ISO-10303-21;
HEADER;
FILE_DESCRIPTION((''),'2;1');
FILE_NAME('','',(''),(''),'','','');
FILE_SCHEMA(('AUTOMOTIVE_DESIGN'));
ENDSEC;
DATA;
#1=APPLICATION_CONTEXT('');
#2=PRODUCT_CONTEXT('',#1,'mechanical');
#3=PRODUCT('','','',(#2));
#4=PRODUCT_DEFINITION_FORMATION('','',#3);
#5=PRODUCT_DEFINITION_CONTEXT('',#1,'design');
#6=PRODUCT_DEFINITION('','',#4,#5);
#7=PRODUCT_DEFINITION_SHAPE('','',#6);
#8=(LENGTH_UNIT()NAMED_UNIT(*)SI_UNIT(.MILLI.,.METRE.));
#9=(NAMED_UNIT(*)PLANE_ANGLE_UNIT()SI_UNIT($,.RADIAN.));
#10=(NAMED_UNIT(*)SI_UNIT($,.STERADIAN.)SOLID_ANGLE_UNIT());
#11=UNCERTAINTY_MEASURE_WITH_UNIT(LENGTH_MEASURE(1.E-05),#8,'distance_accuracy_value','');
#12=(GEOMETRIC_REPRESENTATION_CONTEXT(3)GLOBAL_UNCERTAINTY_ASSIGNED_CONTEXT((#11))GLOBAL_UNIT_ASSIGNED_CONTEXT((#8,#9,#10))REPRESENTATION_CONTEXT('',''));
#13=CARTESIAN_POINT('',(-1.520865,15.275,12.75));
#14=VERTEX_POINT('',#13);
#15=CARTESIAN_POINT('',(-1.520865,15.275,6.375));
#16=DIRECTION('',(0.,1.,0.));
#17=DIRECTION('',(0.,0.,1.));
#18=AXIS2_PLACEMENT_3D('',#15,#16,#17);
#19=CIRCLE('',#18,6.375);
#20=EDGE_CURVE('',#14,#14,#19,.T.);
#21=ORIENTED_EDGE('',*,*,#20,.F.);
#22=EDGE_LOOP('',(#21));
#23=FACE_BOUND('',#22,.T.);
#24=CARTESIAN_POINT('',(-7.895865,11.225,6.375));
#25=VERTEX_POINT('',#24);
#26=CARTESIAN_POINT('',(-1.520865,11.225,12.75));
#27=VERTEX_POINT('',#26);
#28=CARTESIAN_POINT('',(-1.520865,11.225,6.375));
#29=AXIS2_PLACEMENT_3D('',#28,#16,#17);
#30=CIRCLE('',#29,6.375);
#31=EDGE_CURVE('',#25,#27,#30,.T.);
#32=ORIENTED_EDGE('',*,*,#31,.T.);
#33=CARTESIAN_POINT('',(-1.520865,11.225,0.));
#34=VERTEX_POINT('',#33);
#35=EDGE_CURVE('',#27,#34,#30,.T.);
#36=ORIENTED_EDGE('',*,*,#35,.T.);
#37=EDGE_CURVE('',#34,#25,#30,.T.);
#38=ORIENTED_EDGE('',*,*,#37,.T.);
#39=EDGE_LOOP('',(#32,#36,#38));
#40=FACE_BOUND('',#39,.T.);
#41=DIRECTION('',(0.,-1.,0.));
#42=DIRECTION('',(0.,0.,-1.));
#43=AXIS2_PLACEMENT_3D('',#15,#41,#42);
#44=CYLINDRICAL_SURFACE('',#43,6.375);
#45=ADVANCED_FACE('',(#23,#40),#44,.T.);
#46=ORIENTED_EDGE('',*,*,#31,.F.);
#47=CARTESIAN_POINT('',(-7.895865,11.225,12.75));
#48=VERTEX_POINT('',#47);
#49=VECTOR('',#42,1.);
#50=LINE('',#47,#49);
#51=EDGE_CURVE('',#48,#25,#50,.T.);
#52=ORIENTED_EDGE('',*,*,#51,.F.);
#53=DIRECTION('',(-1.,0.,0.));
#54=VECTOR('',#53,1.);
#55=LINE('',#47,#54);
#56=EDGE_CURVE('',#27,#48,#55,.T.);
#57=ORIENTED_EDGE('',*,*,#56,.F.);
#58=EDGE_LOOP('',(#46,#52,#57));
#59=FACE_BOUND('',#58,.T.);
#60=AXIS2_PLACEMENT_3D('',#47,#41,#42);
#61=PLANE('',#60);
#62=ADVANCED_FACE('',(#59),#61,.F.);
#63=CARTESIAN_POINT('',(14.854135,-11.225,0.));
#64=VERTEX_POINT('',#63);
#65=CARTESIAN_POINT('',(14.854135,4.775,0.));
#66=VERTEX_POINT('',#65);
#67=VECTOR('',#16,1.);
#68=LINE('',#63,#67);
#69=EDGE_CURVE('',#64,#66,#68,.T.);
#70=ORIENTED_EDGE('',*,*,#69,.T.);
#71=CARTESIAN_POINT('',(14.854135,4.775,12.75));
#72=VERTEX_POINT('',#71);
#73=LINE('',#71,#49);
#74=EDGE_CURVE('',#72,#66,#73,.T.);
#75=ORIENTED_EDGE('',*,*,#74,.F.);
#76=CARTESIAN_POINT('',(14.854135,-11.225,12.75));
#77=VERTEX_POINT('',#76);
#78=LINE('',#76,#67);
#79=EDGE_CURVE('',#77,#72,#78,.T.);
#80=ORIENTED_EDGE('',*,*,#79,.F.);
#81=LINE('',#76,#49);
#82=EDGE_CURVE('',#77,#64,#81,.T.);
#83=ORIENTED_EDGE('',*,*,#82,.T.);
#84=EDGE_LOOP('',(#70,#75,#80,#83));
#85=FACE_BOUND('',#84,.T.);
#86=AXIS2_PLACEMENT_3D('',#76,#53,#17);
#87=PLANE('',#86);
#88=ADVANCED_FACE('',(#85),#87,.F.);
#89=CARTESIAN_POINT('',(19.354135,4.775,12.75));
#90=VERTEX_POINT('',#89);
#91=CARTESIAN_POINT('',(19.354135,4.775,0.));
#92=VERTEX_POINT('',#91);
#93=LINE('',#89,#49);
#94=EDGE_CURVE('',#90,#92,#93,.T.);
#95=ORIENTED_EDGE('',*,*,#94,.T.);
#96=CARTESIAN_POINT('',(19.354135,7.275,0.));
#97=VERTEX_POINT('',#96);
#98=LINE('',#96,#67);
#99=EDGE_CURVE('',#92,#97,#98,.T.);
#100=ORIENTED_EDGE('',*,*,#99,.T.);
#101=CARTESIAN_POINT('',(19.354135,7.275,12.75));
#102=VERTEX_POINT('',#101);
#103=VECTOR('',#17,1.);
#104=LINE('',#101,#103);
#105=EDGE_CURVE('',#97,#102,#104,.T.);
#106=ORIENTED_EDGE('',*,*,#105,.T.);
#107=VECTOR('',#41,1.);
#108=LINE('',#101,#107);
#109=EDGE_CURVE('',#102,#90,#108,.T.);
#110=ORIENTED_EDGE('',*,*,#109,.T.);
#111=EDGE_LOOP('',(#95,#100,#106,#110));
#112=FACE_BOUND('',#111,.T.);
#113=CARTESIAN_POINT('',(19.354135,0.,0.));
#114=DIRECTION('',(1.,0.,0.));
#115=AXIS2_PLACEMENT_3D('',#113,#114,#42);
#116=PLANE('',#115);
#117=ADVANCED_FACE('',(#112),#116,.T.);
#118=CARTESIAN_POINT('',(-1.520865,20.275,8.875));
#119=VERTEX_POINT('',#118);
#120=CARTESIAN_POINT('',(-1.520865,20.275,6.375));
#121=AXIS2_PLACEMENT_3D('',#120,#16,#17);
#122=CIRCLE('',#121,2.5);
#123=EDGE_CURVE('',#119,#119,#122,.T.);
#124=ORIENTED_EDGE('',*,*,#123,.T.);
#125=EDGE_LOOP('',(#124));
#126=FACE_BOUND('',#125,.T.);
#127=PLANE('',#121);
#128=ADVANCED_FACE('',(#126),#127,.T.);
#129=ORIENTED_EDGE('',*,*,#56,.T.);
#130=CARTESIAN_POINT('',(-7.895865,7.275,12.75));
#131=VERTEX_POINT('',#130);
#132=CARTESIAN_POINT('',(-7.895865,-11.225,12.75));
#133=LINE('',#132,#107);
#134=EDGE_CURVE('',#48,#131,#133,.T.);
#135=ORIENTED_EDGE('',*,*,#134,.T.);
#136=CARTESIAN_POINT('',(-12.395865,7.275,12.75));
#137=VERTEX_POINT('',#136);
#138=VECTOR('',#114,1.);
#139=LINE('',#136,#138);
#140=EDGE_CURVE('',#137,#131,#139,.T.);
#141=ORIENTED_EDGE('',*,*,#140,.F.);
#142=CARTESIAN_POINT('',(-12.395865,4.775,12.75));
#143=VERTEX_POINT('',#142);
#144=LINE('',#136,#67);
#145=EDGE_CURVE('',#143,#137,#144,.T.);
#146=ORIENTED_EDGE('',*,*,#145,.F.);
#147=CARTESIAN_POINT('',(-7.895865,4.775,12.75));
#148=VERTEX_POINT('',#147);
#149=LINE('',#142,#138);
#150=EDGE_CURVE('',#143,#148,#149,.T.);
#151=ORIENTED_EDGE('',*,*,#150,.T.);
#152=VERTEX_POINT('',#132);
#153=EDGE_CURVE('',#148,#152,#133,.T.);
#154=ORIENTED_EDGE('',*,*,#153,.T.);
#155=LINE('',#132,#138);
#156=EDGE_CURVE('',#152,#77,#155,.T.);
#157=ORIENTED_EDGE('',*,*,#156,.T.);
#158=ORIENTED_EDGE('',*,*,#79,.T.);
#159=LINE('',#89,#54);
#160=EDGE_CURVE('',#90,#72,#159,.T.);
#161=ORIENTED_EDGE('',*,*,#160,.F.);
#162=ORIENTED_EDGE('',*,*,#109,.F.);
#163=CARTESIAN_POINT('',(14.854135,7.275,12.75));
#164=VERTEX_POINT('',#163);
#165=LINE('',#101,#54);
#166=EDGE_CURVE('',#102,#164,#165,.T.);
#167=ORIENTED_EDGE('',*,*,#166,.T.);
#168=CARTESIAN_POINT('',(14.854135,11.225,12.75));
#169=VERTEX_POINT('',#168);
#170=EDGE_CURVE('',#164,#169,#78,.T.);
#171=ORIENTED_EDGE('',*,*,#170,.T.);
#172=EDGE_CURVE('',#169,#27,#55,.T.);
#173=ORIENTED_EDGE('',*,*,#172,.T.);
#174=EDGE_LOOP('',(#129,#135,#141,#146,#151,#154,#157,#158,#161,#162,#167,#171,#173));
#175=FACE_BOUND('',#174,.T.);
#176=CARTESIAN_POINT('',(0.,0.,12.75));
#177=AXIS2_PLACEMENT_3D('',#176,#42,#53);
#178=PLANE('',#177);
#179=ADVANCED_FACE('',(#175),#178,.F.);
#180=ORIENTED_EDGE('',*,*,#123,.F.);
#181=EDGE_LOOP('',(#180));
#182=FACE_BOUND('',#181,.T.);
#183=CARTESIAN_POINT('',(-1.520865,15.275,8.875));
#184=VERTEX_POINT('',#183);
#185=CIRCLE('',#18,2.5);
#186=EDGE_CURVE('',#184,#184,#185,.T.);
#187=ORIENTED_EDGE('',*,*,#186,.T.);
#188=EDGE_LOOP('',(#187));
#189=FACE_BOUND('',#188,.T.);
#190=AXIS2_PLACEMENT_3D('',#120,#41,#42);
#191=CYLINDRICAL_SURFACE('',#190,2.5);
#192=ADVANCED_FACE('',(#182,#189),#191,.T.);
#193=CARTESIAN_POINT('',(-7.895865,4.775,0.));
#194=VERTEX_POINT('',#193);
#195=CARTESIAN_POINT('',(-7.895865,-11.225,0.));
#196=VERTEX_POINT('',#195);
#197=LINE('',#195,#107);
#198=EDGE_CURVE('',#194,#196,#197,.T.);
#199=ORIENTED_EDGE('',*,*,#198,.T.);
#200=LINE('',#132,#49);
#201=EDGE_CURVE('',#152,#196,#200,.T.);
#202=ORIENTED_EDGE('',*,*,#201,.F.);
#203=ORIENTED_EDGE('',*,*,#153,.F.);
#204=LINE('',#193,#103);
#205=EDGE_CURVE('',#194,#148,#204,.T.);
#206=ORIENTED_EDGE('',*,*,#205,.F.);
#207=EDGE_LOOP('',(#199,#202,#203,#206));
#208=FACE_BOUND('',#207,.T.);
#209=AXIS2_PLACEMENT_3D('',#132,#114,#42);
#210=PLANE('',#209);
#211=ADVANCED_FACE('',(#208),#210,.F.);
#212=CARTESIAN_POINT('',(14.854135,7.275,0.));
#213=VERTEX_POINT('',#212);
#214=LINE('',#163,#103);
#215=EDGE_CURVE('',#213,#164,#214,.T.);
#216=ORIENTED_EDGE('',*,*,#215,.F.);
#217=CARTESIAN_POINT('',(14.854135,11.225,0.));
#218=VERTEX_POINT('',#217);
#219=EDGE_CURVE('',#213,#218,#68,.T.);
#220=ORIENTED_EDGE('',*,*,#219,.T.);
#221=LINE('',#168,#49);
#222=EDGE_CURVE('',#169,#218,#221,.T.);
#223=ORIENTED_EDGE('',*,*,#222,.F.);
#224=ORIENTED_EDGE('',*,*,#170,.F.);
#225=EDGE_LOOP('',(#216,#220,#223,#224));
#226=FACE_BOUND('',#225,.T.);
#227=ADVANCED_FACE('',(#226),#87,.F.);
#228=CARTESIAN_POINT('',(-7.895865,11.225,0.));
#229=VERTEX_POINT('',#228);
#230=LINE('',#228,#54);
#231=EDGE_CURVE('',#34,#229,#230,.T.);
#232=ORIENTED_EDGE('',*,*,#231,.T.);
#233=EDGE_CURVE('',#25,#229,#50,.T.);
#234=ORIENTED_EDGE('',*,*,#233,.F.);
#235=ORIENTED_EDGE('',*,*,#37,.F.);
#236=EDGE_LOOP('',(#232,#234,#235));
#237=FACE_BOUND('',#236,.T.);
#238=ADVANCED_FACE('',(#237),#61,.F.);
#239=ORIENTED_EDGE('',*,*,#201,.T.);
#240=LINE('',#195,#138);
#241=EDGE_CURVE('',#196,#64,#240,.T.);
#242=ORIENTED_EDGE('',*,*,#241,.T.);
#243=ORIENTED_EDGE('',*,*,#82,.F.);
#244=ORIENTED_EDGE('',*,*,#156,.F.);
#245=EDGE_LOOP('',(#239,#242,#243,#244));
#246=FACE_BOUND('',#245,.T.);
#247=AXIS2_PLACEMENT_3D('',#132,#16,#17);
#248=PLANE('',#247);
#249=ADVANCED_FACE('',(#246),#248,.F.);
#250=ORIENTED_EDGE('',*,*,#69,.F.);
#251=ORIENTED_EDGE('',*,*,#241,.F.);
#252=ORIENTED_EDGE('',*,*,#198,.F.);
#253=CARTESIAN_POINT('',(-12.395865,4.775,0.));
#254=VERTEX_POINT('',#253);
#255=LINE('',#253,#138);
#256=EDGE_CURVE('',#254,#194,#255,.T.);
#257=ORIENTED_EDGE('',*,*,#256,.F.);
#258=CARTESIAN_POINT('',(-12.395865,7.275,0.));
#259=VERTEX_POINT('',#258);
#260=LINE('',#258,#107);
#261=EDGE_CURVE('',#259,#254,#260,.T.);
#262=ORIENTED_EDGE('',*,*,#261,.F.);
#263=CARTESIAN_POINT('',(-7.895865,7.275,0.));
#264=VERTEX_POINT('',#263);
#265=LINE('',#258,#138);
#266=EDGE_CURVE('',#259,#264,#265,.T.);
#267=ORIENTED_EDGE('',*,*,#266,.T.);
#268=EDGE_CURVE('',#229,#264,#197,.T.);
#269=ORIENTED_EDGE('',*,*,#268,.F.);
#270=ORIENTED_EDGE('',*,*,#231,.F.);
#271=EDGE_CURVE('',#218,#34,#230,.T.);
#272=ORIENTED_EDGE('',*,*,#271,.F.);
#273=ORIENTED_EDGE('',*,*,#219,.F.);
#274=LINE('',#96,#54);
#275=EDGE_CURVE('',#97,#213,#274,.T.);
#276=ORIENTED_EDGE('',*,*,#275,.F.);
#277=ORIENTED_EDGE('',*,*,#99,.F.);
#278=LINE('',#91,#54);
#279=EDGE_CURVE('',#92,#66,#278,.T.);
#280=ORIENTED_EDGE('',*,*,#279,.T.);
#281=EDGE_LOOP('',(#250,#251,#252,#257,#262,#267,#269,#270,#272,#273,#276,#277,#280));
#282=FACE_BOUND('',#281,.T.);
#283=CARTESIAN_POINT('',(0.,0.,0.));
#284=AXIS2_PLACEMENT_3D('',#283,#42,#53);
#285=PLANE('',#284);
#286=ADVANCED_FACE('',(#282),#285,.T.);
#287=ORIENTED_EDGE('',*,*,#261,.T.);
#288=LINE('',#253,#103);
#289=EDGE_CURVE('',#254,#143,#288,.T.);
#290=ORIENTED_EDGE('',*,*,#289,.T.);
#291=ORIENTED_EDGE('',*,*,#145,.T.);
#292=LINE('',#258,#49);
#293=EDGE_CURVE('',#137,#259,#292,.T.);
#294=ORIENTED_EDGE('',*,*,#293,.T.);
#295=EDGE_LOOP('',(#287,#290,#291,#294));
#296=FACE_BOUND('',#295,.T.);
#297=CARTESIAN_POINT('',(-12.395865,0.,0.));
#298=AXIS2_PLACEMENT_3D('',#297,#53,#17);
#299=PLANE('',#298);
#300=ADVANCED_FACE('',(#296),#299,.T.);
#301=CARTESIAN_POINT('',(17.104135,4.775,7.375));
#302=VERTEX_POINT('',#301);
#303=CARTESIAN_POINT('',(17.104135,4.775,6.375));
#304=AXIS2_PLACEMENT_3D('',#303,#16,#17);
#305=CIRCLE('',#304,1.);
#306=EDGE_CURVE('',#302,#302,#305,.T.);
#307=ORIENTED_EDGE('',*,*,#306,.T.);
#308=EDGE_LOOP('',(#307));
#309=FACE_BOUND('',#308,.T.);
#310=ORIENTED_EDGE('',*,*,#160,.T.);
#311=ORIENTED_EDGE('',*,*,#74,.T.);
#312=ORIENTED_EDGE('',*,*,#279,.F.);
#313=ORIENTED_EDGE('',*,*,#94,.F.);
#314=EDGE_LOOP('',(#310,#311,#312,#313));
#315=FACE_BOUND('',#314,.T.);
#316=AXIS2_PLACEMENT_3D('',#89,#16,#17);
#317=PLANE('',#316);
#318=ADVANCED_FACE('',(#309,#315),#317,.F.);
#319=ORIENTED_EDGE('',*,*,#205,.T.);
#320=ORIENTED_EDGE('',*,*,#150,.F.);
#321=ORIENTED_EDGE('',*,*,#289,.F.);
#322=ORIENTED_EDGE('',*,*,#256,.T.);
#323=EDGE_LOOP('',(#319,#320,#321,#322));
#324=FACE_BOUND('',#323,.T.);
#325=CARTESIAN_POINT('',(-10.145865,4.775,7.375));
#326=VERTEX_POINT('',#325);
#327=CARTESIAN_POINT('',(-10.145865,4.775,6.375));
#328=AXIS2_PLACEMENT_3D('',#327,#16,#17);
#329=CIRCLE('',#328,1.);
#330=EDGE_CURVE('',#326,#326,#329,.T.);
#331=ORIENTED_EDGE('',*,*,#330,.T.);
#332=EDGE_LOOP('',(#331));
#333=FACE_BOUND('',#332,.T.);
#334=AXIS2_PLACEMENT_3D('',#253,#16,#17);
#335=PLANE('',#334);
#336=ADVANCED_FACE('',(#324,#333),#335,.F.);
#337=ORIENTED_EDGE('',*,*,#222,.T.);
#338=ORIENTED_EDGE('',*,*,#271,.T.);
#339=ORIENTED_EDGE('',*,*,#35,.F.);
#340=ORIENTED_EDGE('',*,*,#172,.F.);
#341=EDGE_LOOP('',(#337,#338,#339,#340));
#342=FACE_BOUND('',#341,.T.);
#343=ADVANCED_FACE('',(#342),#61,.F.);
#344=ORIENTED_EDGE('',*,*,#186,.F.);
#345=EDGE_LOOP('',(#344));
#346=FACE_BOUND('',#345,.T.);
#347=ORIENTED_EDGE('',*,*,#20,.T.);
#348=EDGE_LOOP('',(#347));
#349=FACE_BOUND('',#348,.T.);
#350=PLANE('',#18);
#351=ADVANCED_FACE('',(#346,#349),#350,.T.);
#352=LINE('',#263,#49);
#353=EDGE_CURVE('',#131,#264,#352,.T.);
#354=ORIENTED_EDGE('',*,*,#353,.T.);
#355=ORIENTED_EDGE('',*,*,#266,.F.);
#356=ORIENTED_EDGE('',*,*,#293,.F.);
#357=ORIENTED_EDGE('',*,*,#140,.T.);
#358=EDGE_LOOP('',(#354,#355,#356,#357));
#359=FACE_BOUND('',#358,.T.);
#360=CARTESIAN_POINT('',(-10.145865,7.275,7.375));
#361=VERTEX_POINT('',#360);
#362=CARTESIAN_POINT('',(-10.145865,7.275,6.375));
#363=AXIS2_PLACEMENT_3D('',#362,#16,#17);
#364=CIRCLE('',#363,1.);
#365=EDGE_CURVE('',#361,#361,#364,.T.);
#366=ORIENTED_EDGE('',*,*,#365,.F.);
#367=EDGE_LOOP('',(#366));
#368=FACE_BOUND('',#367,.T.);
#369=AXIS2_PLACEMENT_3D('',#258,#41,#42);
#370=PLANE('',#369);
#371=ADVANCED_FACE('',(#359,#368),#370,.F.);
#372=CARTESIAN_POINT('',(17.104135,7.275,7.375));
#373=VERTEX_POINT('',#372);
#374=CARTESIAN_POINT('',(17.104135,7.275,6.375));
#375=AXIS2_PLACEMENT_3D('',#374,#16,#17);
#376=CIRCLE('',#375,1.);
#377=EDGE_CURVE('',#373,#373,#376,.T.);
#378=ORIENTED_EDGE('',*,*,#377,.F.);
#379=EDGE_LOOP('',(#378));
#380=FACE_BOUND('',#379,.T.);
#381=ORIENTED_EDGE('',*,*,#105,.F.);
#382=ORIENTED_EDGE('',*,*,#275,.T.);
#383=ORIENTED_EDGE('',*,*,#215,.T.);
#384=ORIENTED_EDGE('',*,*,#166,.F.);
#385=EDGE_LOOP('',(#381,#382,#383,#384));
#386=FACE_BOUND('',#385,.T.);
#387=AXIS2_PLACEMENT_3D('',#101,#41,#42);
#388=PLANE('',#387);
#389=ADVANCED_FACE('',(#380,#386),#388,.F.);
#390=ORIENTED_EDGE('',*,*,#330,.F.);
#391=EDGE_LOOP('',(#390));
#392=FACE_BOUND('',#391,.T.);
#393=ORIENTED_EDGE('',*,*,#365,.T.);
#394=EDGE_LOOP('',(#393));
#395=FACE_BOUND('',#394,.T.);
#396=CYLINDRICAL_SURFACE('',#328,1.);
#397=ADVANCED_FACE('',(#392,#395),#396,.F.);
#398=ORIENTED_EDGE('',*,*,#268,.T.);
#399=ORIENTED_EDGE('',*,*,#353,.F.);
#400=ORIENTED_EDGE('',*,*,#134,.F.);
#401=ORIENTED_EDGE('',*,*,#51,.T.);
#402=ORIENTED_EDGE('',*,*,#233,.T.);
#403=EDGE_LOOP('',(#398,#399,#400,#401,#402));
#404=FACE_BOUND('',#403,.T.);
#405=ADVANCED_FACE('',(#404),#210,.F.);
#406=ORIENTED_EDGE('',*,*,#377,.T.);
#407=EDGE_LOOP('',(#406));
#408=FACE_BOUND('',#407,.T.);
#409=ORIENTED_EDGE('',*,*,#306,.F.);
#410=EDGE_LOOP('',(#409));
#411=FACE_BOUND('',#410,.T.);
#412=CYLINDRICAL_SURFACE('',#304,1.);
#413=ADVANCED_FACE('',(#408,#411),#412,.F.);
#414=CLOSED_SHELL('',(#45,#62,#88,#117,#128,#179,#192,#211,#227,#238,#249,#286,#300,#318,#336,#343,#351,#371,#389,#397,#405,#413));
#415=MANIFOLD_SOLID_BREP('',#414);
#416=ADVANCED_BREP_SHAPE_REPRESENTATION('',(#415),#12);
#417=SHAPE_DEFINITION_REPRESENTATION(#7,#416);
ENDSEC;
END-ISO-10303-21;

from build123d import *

# Parameters (mm, degrees)
SKETCH1_W           = 22.75
SKETCH1_H           = 22.45
BOSS_EXTRUDE1_DEPTH = 12.75
SKETCH2_W           = 12.75
SKETCH2_H           = 2.5
BOSS_EXTRUDE2_DEPTH = 4.5
SKETCH3_W           = 12.75
SKETCH3_H           = 2.5
BOSS_EXTRUDE3_DEPTH = 4.5
SKETCH4_R           = 1
CUT_EXTRUDE1_DEPTH  = 2.5
SKETCH5_R           = 1
CUT_EXTRUDE2_DEPTH  = 2.5
SKETCH6_R           = 6.375
BOSS_EXTRUDE4_DEPTH = 4.05
SKETCH7_R           = 2.5
BOSS_EXTRUDE5_DEPTH = 5


with BuildPart() as part:
    # Sketch1 → Boss-Extrude1 (new body)
    with BuildSketch(Plane.XY):
        with Locations((3.479135338, 0)):
            Rectangle(SKETCH1_W, SKETCH1_H)
    extrude(amount=BOSS_EXTRUDE1_DEPTH)

    # Sketch2 → Boss-Extrude2 (add)
    with BuildSketch(Plane(origin=(14.854135338, 0, 0), x_dir=(0, 0, -1), z_dir=(1, 0, 0))):
        with Locations((-6.375, 6.025)):
            Rectangle(SKETCH2_W, SKETCH2_H)
    extrude(amount=BOSS_EXTRUDE2_DEPTH)

    # Sketch3 → Boss-Extrude3 (add)
    with BuildSketch(Plane.ZY.offset(7.895864662)):
        with Locations((6.375, 6.025)):
            Rectangle(SKETCH3_W, SKETCH3_H)
    extrude(amount=BOSS_EXTRUDE3_DEPTH)

    # Sketch4 → Cut-Extrude1 (cut)
    with BuildSketch(Plane(origin=(0, 7.275, 0), x_dir=(1, 0, 0), z_dir=(0, 1, 0))):
        with Locations((-10.145864662, -6.375)):
            Circle(SKETCH4_R)
    extrude(amount=-CUT_EXTRUDE1_DEPTH, mode=Mode.SUBTRACT)

    # Sketch5 → Cut-Extrude2 (cut)
    with BuildSketch(Plane(origin=(0, 7.275, 0), x_dir=(1, 0, 0), z_dir=(0, 1, 0))):
        with Locations((17.104135338, -6.375)):
            Circle(SKETCH5_R)
    extrude(amount=-CUT_EXTRUDE2_DEPTH, mode=Mode.SUBTRACT)

    # Sketch6 → Boss-Extrude4 (add)
    with BuildSketch(Plane(origin=(0, 11.225, 0), x_dir=(1, 0, 0), z_dir=(0, 1, 0))):
        with Locations((-1.520864662, -6.375)):
            Circle(SKETCH6_R)
    extrude(amount=BOSS_EXTRUDE4_DEPTH)

    # Sketch7 → Boss-Extrude5 (add)
    with BuildSketch(Plane(origin=(0, 15.275, 0), x_dir=(1, 0, 0), z_dir=(0, 1, 0))):
        with Locations((-1.520864662, -6.375)):
            Circle(SKETCH7_R)
    extrude(amount=BOSS_EXTRUDE5_DEPTH)


solid = part.part
